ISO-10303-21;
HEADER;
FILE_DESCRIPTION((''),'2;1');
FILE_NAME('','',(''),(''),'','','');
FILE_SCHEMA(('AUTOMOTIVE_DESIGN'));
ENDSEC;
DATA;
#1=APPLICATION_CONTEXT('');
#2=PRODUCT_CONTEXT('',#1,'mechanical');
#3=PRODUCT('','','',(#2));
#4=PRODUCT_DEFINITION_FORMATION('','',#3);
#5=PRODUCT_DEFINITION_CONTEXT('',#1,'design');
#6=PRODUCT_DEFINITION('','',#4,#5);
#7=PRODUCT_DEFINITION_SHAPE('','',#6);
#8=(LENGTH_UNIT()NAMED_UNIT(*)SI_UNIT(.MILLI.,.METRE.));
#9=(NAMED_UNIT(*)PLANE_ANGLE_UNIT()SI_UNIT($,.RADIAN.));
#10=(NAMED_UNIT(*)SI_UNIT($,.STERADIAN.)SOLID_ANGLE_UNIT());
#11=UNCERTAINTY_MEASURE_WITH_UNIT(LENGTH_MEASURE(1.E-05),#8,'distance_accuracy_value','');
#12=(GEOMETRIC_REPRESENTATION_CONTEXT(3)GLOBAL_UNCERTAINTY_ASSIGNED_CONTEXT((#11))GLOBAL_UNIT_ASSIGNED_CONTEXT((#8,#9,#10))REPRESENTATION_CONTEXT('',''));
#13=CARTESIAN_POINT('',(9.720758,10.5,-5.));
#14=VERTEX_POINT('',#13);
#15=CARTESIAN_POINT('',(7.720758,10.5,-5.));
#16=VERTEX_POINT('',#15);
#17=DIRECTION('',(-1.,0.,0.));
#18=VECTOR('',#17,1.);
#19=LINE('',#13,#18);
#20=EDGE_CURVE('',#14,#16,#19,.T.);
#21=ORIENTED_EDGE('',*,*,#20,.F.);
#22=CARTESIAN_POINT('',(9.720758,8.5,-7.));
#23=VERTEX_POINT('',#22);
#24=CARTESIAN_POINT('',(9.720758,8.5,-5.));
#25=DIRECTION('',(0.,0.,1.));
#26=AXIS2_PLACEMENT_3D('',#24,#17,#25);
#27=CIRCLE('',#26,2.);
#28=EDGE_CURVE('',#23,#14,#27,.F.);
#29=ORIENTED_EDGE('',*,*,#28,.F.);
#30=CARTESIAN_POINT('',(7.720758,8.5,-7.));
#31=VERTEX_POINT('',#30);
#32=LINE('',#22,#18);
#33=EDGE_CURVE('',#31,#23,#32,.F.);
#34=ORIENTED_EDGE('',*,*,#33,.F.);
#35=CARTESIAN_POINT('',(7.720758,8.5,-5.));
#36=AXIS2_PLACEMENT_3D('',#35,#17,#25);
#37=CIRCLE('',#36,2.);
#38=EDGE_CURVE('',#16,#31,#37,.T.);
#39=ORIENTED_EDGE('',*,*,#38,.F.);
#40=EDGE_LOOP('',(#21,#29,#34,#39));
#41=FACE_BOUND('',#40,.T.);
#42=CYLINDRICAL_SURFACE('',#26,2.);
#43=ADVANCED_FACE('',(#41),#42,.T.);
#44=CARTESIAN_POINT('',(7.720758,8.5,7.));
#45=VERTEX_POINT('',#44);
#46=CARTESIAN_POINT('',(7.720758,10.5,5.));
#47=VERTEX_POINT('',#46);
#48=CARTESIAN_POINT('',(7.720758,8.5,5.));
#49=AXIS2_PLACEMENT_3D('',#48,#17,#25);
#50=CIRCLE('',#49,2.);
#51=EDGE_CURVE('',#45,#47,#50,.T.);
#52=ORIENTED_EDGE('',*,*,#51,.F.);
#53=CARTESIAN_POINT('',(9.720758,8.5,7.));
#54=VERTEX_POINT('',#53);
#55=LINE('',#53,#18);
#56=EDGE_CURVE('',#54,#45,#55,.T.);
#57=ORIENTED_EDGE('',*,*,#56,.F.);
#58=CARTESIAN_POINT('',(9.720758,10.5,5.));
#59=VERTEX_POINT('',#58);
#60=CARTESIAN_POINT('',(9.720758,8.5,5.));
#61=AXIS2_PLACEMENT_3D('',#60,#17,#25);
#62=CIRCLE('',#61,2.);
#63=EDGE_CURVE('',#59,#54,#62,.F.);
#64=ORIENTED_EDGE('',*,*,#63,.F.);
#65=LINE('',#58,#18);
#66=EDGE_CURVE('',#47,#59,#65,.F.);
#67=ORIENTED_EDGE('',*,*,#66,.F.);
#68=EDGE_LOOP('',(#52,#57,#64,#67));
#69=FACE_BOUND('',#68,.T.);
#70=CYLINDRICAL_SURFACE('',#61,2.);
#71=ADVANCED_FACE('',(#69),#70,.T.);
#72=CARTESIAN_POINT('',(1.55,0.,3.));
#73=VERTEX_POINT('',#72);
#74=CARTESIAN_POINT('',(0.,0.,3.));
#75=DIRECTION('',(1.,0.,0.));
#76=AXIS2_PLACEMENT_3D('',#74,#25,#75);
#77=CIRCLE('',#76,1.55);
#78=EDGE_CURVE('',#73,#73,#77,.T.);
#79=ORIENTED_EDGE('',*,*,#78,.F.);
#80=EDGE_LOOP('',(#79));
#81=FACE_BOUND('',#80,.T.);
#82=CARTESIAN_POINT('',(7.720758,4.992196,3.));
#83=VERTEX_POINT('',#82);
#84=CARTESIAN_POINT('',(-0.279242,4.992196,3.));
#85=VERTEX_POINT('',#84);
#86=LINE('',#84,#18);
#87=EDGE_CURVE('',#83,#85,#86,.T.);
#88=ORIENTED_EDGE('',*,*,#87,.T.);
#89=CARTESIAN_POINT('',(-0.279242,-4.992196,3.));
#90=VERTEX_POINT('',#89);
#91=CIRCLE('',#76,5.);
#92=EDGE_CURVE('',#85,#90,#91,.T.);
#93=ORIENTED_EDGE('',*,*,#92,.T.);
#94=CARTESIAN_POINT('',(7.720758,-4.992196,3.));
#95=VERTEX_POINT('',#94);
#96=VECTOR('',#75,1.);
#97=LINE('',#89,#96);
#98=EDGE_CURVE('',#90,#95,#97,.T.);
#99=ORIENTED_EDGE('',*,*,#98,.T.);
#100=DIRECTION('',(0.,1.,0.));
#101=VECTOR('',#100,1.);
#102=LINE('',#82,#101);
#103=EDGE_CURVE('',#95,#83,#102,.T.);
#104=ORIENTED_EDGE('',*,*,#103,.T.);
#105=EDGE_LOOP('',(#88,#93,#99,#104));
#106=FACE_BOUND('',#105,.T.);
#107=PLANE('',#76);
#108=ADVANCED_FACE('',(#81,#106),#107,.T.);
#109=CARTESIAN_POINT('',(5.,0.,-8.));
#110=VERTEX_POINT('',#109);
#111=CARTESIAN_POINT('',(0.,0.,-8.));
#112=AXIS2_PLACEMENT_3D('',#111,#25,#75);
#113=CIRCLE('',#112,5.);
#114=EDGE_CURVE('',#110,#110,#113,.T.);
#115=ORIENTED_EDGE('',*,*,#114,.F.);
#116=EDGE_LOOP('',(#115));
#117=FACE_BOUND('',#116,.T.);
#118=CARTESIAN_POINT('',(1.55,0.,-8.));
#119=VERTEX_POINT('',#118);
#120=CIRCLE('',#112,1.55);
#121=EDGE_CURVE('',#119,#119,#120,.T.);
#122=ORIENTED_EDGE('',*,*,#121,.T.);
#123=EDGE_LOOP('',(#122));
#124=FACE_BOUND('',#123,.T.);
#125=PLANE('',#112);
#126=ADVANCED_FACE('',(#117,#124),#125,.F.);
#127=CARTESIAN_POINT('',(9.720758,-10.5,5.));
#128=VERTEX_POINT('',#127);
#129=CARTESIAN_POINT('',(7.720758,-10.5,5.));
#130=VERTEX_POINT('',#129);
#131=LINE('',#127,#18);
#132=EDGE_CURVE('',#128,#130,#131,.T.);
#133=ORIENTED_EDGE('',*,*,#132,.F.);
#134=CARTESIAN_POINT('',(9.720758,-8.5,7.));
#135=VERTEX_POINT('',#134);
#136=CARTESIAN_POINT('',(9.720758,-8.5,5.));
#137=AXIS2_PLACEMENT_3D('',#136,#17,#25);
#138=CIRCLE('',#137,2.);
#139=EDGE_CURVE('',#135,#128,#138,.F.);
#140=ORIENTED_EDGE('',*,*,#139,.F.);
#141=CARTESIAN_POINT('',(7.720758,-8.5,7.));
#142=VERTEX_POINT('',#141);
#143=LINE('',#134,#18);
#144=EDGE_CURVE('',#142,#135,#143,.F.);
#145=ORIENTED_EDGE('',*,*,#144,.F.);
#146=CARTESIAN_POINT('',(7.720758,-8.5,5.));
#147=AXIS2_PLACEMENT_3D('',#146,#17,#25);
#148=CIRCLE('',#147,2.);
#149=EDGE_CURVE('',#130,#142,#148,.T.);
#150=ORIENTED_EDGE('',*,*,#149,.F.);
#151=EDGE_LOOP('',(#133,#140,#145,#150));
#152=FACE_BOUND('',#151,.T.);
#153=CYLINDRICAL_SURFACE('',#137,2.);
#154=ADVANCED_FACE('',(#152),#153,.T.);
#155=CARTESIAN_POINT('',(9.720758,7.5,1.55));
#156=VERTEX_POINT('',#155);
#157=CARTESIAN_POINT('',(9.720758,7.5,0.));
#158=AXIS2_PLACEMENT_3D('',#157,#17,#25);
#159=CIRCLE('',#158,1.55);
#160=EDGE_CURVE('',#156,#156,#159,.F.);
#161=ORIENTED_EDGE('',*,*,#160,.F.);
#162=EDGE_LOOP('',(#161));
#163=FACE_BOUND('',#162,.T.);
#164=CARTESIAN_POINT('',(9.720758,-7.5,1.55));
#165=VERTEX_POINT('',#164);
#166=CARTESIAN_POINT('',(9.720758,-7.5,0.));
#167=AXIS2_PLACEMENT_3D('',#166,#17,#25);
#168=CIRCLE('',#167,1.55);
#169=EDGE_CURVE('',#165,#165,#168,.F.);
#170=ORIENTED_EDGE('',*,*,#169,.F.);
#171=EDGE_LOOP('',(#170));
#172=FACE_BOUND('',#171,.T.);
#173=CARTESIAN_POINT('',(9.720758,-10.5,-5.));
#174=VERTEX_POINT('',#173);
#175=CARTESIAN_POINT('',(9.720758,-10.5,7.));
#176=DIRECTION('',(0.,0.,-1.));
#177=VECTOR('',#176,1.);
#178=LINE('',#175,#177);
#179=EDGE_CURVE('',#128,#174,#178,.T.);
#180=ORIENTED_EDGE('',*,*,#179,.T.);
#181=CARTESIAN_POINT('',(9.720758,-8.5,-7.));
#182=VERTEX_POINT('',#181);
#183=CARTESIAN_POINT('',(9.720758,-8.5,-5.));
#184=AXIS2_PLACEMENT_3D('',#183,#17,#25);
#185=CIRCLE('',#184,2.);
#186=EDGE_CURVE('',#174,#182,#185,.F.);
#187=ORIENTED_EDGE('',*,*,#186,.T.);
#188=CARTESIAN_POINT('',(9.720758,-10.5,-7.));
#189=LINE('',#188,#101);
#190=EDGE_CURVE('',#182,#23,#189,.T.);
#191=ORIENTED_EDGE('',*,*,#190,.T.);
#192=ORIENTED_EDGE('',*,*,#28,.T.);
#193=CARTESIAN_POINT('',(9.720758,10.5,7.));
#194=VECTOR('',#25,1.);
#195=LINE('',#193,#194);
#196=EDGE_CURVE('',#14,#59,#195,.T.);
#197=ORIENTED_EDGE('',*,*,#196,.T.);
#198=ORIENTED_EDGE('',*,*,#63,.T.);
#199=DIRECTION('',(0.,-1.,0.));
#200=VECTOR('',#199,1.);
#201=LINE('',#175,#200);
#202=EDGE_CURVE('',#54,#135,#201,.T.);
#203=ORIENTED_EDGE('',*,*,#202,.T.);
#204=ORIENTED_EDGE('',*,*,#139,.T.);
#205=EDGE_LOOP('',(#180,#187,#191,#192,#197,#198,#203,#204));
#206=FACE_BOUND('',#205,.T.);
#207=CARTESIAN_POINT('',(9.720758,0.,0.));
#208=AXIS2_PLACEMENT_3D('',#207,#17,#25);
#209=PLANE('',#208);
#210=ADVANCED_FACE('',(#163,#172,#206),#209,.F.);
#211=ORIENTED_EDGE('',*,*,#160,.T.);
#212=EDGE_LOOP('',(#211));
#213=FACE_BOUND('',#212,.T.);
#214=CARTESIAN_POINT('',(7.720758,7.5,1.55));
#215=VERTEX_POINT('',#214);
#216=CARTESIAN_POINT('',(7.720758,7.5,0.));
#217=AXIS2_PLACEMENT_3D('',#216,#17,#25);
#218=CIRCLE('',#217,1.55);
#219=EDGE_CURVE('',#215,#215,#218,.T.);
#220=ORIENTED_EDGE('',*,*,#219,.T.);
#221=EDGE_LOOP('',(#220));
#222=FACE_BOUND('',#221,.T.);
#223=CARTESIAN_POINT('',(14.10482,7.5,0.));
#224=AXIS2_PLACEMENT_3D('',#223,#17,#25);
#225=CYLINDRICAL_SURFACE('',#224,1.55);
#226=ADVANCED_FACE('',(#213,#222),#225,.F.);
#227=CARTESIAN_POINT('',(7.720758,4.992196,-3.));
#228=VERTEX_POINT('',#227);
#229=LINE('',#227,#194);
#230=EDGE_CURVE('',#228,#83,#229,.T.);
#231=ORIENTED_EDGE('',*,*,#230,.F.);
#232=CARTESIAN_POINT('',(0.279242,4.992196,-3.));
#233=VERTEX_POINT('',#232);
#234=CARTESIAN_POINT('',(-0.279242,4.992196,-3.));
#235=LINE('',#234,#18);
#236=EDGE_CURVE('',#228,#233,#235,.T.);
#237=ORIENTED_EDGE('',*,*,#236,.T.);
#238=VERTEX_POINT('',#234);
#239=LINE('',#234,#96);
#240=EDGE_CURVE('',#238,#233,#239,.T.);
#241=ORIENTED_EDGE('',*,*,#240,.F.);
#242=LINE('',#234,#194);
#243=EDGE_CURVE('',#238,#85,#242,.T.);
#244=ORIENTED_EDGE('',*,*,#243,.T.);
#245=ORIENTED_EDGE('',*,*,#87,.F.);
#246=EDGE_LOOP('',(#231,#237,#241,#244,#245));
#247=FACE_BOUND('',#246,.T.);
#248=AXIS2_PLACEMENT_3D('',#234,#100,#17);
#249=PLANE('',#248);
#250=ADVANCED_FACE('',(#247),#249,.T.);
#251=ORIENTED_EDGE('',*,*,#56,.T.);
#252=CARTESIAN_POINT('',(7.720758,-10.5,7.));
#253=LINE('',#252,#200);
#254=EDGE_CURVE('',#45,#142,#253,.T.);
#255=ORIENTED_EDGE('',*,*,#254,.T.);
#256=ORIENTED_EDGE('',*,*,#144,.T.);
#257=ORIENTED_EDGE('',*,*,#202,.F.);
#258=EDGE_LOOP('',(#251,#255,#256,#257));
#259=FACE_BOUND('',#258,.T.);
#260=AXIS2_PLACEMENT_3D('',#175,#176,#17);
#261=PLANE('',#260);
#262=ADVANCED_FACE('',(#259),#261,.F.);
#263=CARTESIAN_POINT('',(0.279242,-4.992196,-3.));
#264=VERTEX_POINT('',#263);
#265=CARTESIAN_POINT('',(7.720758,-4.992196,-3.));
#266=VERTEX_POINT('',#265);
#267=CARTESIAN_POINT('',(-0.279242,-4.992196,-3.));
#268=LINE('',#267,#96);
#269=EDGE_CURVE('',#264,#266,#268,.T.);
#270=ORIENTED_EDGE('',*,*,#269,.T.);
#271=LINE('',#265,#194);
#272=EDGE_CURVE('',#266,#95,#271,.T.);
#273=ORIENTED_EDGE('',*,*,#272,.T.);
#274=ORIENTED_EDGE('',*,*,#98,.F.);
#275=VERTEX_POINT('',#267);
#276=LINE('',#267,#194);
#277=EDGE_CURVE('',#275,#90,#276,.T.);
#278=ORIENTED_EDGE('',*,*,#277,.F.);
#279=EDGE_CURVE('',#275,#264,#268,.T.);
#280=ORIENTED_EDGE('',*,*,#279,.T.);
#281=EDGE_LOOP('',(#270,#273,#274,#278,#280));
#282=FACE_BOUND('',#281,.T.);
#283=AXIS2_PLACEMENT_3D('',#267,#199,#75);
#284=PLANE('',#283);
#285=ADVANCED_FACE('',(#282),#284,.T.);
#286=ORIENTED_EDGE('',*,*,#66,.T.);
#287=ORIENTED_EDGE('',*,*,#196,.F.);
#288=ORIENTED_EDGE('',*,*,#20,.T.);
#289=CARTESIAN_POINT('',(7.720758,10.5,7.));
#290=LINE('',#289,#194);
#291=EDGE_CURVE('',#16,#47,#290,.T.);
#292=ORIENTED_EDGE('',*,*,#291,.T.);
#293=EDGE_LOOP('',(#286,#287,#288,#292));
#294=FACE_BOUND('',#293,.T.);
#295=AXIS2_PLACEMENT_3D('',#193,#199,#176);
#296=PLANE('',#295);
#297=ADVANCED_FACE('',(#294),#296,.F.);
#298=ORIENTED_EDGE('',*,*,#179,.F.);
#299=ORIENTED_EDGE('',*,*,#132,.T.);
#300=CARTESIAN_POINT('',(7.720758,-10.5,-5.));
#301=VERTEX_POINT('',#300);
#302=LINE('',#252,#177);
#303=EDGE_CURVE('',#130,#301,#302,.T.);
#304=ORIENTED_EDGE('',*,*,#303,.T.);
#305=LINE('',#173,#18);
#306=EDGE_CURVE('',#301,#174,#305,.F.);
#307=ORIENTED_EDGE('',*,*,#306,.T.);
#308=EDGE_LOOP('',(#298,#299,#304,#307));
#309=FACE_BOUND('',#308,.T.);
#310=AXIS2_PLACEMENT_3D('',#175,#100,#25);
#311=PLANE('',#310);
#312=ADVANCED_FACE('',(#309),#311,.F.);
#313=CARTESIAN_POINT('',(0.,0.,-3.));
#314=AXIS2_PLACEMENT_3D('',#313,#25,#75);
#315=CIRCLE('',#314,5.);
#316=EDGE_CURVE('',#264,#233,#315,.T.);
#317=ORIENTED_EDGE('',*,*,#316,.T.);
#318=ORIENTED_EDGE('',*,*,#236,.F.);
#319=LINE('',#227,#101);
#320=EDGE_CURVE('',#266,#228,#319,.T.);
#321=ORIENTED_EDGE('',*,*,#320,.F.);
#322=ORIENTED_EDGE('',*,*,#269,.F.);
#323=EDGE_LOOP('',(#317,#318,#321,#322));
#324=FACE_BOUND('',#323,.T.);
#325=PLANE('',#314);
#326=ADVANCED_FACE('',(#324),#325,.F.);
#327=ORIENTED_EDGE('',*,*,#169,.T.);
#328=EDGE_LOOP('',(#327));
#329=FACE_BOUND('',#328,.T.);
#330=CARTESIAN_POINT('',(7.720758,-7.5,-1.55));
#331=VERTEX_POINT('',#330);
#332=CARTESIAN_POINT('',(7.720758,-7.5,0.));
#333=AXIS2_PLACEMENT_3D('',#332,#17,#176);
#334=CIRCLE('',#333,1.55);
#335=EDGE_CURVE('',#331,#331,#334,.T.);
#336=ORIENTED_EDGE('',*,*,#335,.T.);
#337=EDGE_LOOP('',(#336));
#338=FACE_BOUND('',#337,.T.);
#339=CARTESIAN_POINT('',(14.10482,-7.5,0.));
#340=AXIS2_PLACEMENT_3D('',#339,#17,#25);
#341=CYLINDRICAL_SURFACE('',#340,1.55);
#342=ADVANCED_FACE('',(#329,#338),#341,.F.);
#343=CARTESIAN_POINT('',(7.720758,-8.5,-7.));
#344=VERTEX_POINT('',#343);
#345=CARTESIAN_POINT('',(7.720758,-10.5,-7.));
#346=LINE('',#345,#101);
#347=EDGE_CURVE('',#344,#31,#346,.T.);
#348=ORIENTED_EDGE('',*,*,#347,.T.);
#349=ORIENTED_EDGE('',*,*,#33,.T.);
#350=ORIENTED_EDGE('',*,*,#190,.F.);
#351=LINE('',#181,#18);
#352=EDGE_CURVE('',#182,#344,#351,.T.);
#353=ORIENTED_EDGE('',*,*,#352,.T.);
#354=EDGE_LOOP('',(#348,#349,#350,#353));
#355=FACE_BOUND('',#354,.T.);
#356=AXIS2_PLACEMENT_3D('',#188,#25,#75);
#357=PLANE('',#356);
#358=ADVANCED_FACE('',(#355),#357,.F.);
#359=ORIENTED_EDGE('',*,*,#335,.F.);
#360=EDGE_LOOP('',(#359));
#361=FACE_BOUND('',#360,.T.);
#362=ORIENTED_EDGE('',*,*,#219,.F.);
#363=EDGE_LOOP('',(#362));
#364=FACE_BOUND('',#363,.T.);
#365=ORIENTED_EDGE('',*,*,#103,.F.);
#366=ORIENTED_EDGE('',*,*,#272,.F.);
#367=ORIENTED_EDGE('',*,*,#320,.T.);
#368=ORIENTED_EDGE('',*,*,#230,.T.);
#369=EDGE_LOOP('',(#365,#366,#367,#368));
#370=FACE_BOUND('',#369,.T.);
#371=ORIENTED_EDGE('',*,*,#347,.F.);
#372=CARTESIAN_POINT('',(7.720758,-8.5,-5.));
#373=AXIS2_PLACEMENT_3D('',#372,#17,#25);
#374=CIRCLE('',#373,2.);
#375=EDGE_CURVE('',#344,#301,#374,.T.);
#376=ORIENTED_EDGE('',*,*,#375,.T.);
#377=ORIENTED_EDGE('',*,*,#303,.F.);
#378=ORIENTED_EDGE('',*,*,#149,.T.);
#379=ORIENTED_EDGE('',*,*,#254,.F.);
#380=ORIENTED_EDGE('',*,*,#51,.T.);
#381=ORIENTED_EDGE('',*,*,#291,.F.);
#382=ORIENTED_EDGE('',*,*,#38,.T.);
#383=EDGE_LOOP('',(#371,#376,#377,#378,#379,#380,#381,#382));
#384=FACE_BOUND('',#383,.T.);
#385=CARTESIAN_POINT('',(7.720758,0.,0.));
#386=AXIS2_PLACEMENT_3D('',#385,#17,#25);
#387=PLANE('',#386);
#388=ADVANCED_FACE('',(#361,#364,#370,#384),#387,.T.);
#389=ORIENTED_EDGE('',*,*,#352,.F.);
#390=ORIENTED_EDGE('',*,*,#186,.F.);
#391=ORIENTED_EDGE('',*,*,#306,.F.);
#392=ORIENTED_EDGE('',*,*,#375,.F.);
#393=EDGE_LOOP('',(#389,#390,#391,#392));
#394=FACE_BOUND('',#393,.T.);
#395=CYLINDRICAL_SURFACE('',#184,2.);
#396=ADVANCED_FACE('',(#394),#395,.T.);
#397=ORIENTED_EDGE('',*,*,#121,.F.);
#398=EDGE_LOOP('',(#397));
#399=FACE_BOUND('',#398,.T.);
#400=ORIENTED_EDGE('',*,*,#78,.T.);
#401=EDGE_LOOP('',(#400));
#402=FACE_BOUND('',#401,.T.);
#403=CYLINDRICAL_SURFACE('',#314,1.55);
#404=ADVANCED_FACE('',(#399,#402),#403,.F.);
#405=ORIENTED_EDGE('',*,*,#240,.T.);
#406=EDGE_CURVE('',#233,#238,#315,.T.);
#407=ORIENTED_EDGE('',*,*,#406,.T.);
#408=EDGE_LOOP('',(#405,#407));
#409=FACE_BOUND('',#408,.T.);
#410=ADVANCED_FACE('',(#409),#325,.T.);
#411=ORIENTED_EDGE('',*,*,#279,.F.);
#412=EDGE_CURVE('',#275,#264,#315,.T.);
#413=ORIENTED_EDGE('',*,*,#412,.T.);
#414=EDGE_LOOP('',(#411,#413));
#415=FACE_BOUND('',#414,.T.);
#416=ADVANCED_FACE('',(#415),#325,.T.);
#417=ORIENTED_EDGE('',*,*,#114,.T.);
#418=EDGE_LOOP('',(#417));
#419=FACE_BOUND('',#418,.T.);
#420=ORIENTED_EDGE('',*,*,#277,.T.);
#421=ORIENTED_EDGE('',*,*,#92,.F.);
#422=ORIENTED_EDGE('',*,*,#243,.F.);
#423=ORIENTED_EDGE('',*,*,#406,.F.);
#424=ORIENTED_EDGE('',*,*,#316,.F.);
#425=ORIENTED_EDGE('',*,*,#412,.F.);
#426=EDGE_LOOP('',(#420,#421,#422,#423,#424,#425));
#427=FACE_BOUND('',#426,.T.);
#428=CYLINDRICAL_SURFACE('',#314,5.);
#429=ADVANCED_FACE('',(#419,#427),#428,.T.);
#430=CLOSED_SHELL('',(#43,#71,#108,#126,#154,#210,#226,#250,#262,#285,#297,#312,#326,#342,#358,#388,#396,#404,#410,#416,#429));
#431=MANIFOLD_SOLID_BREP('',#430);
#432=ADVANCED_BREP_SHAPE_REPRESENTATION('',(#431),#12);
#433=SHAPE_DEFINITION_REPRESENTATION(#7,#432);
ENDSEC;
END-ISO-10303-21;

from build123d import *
from build123d.topology import SkipClean

# Parameters (mm, degrees)
BOSS_EXTRU_1_DEPTH      = 3
BOSS_EXTRU_1_DEPTH_BACK = 3
ESQUISSE1_R             = 1.55
SKETCH1_W               = 14
SKETCH1_H               = 21
BOSS_EXTRUDE1_DEPTH     = 2
SKETCH3_R               = 1.55
CUT_EXTRUDE1_DEPTH      = 2
FILLET1_R               = 2
BOSS_EXTRUDE3_START     = -5
SKETCH4_R               = 5
SKETCH4_R_2             = 1.55
BOSS_EXTRUDE3_DEPTH     = 5


with BuildPart() as part:
    # Esquisse1 → Boss.-Extru.1 (new, two sides: drawn at the far end of the back side and taken through both)
    with BuildSketch(Plane.XY.offset(-BOSS_EXTRU_1_DEPTH_BACK)):
        with BuildLine():
            Line((-0.279242011, 4.9921963), (7.720757989, 4.9921963))
            Line((7.720757989, 4.9921963), (7.720757989, -4.9921963))
            Line((7.720757989, -4.9921963), (-0.279242011, -4.9921963))
            ThreePointArc((-0.279242011, -4.9921963), (-5, 0), (-0.279242011, 4.9921963))
        make_face()
        Circle(ESQUISSE1_R, mode=Mode.SUBTRACT)
    extrude(amount=BOSS_EXTRU_1_DEPTH + BOSS_EXTRU_1_DEPTH_BACK)

    # Sketch1 → Boss-Extrude1 (add)
    with BuildSketch(Plane(origin=(7.720757989, 0, 0), x_dir=(0, 0, -1), z_dir=(1, 0, 0))):
        Rectangle(SKETCH1_W, SKETCH1_H)
    extrude(amount=BOSS_EXTRUDE1_DEPTH)

    # Sketch3 → Cut-Extrude1 (cut)
    with BuildSketch(Plane.ZY.offset(-7.720757989)):
        with Locations((0, 7.5)):
            Circle(SKETCH3_R)
        with Locations((0, -7.5)):
            Circle(SKETCH3_R)
    extrude(amount=-CUT_EXTRUDE1_DEPTH, mode=Mode.SUBTRACT)

    # Fillet1
    fillet1_edges = [part.edges().sort_by_distance(p)[0] for p in [
        (8.720757989, -10.5, -7),
        (8.720757989, 10.5, -7),
        (8.720757989, 10.5, 7),
        (8.720757989, -10.5, 7),
    ]]
    fillet(fillet1_edges, radius=FILLET1_R)

    # Sketch4 → Boss-Extrude3 (add)
    with SkipClean():  # the faces are left unmerged after this step: merging them gives an invalid solid
        with BuildSketch(Plane.XY.offset(-3).offset(BOSS_EXTRUDE3_START)):
            Circle(SKETCH4_R)
            Circle(SKETCH4_R_2, mode=Mode.SUBTRACT)
        extrude(amount=BOSS_EXTRUDE3_DEPTH)


solid = part.part
